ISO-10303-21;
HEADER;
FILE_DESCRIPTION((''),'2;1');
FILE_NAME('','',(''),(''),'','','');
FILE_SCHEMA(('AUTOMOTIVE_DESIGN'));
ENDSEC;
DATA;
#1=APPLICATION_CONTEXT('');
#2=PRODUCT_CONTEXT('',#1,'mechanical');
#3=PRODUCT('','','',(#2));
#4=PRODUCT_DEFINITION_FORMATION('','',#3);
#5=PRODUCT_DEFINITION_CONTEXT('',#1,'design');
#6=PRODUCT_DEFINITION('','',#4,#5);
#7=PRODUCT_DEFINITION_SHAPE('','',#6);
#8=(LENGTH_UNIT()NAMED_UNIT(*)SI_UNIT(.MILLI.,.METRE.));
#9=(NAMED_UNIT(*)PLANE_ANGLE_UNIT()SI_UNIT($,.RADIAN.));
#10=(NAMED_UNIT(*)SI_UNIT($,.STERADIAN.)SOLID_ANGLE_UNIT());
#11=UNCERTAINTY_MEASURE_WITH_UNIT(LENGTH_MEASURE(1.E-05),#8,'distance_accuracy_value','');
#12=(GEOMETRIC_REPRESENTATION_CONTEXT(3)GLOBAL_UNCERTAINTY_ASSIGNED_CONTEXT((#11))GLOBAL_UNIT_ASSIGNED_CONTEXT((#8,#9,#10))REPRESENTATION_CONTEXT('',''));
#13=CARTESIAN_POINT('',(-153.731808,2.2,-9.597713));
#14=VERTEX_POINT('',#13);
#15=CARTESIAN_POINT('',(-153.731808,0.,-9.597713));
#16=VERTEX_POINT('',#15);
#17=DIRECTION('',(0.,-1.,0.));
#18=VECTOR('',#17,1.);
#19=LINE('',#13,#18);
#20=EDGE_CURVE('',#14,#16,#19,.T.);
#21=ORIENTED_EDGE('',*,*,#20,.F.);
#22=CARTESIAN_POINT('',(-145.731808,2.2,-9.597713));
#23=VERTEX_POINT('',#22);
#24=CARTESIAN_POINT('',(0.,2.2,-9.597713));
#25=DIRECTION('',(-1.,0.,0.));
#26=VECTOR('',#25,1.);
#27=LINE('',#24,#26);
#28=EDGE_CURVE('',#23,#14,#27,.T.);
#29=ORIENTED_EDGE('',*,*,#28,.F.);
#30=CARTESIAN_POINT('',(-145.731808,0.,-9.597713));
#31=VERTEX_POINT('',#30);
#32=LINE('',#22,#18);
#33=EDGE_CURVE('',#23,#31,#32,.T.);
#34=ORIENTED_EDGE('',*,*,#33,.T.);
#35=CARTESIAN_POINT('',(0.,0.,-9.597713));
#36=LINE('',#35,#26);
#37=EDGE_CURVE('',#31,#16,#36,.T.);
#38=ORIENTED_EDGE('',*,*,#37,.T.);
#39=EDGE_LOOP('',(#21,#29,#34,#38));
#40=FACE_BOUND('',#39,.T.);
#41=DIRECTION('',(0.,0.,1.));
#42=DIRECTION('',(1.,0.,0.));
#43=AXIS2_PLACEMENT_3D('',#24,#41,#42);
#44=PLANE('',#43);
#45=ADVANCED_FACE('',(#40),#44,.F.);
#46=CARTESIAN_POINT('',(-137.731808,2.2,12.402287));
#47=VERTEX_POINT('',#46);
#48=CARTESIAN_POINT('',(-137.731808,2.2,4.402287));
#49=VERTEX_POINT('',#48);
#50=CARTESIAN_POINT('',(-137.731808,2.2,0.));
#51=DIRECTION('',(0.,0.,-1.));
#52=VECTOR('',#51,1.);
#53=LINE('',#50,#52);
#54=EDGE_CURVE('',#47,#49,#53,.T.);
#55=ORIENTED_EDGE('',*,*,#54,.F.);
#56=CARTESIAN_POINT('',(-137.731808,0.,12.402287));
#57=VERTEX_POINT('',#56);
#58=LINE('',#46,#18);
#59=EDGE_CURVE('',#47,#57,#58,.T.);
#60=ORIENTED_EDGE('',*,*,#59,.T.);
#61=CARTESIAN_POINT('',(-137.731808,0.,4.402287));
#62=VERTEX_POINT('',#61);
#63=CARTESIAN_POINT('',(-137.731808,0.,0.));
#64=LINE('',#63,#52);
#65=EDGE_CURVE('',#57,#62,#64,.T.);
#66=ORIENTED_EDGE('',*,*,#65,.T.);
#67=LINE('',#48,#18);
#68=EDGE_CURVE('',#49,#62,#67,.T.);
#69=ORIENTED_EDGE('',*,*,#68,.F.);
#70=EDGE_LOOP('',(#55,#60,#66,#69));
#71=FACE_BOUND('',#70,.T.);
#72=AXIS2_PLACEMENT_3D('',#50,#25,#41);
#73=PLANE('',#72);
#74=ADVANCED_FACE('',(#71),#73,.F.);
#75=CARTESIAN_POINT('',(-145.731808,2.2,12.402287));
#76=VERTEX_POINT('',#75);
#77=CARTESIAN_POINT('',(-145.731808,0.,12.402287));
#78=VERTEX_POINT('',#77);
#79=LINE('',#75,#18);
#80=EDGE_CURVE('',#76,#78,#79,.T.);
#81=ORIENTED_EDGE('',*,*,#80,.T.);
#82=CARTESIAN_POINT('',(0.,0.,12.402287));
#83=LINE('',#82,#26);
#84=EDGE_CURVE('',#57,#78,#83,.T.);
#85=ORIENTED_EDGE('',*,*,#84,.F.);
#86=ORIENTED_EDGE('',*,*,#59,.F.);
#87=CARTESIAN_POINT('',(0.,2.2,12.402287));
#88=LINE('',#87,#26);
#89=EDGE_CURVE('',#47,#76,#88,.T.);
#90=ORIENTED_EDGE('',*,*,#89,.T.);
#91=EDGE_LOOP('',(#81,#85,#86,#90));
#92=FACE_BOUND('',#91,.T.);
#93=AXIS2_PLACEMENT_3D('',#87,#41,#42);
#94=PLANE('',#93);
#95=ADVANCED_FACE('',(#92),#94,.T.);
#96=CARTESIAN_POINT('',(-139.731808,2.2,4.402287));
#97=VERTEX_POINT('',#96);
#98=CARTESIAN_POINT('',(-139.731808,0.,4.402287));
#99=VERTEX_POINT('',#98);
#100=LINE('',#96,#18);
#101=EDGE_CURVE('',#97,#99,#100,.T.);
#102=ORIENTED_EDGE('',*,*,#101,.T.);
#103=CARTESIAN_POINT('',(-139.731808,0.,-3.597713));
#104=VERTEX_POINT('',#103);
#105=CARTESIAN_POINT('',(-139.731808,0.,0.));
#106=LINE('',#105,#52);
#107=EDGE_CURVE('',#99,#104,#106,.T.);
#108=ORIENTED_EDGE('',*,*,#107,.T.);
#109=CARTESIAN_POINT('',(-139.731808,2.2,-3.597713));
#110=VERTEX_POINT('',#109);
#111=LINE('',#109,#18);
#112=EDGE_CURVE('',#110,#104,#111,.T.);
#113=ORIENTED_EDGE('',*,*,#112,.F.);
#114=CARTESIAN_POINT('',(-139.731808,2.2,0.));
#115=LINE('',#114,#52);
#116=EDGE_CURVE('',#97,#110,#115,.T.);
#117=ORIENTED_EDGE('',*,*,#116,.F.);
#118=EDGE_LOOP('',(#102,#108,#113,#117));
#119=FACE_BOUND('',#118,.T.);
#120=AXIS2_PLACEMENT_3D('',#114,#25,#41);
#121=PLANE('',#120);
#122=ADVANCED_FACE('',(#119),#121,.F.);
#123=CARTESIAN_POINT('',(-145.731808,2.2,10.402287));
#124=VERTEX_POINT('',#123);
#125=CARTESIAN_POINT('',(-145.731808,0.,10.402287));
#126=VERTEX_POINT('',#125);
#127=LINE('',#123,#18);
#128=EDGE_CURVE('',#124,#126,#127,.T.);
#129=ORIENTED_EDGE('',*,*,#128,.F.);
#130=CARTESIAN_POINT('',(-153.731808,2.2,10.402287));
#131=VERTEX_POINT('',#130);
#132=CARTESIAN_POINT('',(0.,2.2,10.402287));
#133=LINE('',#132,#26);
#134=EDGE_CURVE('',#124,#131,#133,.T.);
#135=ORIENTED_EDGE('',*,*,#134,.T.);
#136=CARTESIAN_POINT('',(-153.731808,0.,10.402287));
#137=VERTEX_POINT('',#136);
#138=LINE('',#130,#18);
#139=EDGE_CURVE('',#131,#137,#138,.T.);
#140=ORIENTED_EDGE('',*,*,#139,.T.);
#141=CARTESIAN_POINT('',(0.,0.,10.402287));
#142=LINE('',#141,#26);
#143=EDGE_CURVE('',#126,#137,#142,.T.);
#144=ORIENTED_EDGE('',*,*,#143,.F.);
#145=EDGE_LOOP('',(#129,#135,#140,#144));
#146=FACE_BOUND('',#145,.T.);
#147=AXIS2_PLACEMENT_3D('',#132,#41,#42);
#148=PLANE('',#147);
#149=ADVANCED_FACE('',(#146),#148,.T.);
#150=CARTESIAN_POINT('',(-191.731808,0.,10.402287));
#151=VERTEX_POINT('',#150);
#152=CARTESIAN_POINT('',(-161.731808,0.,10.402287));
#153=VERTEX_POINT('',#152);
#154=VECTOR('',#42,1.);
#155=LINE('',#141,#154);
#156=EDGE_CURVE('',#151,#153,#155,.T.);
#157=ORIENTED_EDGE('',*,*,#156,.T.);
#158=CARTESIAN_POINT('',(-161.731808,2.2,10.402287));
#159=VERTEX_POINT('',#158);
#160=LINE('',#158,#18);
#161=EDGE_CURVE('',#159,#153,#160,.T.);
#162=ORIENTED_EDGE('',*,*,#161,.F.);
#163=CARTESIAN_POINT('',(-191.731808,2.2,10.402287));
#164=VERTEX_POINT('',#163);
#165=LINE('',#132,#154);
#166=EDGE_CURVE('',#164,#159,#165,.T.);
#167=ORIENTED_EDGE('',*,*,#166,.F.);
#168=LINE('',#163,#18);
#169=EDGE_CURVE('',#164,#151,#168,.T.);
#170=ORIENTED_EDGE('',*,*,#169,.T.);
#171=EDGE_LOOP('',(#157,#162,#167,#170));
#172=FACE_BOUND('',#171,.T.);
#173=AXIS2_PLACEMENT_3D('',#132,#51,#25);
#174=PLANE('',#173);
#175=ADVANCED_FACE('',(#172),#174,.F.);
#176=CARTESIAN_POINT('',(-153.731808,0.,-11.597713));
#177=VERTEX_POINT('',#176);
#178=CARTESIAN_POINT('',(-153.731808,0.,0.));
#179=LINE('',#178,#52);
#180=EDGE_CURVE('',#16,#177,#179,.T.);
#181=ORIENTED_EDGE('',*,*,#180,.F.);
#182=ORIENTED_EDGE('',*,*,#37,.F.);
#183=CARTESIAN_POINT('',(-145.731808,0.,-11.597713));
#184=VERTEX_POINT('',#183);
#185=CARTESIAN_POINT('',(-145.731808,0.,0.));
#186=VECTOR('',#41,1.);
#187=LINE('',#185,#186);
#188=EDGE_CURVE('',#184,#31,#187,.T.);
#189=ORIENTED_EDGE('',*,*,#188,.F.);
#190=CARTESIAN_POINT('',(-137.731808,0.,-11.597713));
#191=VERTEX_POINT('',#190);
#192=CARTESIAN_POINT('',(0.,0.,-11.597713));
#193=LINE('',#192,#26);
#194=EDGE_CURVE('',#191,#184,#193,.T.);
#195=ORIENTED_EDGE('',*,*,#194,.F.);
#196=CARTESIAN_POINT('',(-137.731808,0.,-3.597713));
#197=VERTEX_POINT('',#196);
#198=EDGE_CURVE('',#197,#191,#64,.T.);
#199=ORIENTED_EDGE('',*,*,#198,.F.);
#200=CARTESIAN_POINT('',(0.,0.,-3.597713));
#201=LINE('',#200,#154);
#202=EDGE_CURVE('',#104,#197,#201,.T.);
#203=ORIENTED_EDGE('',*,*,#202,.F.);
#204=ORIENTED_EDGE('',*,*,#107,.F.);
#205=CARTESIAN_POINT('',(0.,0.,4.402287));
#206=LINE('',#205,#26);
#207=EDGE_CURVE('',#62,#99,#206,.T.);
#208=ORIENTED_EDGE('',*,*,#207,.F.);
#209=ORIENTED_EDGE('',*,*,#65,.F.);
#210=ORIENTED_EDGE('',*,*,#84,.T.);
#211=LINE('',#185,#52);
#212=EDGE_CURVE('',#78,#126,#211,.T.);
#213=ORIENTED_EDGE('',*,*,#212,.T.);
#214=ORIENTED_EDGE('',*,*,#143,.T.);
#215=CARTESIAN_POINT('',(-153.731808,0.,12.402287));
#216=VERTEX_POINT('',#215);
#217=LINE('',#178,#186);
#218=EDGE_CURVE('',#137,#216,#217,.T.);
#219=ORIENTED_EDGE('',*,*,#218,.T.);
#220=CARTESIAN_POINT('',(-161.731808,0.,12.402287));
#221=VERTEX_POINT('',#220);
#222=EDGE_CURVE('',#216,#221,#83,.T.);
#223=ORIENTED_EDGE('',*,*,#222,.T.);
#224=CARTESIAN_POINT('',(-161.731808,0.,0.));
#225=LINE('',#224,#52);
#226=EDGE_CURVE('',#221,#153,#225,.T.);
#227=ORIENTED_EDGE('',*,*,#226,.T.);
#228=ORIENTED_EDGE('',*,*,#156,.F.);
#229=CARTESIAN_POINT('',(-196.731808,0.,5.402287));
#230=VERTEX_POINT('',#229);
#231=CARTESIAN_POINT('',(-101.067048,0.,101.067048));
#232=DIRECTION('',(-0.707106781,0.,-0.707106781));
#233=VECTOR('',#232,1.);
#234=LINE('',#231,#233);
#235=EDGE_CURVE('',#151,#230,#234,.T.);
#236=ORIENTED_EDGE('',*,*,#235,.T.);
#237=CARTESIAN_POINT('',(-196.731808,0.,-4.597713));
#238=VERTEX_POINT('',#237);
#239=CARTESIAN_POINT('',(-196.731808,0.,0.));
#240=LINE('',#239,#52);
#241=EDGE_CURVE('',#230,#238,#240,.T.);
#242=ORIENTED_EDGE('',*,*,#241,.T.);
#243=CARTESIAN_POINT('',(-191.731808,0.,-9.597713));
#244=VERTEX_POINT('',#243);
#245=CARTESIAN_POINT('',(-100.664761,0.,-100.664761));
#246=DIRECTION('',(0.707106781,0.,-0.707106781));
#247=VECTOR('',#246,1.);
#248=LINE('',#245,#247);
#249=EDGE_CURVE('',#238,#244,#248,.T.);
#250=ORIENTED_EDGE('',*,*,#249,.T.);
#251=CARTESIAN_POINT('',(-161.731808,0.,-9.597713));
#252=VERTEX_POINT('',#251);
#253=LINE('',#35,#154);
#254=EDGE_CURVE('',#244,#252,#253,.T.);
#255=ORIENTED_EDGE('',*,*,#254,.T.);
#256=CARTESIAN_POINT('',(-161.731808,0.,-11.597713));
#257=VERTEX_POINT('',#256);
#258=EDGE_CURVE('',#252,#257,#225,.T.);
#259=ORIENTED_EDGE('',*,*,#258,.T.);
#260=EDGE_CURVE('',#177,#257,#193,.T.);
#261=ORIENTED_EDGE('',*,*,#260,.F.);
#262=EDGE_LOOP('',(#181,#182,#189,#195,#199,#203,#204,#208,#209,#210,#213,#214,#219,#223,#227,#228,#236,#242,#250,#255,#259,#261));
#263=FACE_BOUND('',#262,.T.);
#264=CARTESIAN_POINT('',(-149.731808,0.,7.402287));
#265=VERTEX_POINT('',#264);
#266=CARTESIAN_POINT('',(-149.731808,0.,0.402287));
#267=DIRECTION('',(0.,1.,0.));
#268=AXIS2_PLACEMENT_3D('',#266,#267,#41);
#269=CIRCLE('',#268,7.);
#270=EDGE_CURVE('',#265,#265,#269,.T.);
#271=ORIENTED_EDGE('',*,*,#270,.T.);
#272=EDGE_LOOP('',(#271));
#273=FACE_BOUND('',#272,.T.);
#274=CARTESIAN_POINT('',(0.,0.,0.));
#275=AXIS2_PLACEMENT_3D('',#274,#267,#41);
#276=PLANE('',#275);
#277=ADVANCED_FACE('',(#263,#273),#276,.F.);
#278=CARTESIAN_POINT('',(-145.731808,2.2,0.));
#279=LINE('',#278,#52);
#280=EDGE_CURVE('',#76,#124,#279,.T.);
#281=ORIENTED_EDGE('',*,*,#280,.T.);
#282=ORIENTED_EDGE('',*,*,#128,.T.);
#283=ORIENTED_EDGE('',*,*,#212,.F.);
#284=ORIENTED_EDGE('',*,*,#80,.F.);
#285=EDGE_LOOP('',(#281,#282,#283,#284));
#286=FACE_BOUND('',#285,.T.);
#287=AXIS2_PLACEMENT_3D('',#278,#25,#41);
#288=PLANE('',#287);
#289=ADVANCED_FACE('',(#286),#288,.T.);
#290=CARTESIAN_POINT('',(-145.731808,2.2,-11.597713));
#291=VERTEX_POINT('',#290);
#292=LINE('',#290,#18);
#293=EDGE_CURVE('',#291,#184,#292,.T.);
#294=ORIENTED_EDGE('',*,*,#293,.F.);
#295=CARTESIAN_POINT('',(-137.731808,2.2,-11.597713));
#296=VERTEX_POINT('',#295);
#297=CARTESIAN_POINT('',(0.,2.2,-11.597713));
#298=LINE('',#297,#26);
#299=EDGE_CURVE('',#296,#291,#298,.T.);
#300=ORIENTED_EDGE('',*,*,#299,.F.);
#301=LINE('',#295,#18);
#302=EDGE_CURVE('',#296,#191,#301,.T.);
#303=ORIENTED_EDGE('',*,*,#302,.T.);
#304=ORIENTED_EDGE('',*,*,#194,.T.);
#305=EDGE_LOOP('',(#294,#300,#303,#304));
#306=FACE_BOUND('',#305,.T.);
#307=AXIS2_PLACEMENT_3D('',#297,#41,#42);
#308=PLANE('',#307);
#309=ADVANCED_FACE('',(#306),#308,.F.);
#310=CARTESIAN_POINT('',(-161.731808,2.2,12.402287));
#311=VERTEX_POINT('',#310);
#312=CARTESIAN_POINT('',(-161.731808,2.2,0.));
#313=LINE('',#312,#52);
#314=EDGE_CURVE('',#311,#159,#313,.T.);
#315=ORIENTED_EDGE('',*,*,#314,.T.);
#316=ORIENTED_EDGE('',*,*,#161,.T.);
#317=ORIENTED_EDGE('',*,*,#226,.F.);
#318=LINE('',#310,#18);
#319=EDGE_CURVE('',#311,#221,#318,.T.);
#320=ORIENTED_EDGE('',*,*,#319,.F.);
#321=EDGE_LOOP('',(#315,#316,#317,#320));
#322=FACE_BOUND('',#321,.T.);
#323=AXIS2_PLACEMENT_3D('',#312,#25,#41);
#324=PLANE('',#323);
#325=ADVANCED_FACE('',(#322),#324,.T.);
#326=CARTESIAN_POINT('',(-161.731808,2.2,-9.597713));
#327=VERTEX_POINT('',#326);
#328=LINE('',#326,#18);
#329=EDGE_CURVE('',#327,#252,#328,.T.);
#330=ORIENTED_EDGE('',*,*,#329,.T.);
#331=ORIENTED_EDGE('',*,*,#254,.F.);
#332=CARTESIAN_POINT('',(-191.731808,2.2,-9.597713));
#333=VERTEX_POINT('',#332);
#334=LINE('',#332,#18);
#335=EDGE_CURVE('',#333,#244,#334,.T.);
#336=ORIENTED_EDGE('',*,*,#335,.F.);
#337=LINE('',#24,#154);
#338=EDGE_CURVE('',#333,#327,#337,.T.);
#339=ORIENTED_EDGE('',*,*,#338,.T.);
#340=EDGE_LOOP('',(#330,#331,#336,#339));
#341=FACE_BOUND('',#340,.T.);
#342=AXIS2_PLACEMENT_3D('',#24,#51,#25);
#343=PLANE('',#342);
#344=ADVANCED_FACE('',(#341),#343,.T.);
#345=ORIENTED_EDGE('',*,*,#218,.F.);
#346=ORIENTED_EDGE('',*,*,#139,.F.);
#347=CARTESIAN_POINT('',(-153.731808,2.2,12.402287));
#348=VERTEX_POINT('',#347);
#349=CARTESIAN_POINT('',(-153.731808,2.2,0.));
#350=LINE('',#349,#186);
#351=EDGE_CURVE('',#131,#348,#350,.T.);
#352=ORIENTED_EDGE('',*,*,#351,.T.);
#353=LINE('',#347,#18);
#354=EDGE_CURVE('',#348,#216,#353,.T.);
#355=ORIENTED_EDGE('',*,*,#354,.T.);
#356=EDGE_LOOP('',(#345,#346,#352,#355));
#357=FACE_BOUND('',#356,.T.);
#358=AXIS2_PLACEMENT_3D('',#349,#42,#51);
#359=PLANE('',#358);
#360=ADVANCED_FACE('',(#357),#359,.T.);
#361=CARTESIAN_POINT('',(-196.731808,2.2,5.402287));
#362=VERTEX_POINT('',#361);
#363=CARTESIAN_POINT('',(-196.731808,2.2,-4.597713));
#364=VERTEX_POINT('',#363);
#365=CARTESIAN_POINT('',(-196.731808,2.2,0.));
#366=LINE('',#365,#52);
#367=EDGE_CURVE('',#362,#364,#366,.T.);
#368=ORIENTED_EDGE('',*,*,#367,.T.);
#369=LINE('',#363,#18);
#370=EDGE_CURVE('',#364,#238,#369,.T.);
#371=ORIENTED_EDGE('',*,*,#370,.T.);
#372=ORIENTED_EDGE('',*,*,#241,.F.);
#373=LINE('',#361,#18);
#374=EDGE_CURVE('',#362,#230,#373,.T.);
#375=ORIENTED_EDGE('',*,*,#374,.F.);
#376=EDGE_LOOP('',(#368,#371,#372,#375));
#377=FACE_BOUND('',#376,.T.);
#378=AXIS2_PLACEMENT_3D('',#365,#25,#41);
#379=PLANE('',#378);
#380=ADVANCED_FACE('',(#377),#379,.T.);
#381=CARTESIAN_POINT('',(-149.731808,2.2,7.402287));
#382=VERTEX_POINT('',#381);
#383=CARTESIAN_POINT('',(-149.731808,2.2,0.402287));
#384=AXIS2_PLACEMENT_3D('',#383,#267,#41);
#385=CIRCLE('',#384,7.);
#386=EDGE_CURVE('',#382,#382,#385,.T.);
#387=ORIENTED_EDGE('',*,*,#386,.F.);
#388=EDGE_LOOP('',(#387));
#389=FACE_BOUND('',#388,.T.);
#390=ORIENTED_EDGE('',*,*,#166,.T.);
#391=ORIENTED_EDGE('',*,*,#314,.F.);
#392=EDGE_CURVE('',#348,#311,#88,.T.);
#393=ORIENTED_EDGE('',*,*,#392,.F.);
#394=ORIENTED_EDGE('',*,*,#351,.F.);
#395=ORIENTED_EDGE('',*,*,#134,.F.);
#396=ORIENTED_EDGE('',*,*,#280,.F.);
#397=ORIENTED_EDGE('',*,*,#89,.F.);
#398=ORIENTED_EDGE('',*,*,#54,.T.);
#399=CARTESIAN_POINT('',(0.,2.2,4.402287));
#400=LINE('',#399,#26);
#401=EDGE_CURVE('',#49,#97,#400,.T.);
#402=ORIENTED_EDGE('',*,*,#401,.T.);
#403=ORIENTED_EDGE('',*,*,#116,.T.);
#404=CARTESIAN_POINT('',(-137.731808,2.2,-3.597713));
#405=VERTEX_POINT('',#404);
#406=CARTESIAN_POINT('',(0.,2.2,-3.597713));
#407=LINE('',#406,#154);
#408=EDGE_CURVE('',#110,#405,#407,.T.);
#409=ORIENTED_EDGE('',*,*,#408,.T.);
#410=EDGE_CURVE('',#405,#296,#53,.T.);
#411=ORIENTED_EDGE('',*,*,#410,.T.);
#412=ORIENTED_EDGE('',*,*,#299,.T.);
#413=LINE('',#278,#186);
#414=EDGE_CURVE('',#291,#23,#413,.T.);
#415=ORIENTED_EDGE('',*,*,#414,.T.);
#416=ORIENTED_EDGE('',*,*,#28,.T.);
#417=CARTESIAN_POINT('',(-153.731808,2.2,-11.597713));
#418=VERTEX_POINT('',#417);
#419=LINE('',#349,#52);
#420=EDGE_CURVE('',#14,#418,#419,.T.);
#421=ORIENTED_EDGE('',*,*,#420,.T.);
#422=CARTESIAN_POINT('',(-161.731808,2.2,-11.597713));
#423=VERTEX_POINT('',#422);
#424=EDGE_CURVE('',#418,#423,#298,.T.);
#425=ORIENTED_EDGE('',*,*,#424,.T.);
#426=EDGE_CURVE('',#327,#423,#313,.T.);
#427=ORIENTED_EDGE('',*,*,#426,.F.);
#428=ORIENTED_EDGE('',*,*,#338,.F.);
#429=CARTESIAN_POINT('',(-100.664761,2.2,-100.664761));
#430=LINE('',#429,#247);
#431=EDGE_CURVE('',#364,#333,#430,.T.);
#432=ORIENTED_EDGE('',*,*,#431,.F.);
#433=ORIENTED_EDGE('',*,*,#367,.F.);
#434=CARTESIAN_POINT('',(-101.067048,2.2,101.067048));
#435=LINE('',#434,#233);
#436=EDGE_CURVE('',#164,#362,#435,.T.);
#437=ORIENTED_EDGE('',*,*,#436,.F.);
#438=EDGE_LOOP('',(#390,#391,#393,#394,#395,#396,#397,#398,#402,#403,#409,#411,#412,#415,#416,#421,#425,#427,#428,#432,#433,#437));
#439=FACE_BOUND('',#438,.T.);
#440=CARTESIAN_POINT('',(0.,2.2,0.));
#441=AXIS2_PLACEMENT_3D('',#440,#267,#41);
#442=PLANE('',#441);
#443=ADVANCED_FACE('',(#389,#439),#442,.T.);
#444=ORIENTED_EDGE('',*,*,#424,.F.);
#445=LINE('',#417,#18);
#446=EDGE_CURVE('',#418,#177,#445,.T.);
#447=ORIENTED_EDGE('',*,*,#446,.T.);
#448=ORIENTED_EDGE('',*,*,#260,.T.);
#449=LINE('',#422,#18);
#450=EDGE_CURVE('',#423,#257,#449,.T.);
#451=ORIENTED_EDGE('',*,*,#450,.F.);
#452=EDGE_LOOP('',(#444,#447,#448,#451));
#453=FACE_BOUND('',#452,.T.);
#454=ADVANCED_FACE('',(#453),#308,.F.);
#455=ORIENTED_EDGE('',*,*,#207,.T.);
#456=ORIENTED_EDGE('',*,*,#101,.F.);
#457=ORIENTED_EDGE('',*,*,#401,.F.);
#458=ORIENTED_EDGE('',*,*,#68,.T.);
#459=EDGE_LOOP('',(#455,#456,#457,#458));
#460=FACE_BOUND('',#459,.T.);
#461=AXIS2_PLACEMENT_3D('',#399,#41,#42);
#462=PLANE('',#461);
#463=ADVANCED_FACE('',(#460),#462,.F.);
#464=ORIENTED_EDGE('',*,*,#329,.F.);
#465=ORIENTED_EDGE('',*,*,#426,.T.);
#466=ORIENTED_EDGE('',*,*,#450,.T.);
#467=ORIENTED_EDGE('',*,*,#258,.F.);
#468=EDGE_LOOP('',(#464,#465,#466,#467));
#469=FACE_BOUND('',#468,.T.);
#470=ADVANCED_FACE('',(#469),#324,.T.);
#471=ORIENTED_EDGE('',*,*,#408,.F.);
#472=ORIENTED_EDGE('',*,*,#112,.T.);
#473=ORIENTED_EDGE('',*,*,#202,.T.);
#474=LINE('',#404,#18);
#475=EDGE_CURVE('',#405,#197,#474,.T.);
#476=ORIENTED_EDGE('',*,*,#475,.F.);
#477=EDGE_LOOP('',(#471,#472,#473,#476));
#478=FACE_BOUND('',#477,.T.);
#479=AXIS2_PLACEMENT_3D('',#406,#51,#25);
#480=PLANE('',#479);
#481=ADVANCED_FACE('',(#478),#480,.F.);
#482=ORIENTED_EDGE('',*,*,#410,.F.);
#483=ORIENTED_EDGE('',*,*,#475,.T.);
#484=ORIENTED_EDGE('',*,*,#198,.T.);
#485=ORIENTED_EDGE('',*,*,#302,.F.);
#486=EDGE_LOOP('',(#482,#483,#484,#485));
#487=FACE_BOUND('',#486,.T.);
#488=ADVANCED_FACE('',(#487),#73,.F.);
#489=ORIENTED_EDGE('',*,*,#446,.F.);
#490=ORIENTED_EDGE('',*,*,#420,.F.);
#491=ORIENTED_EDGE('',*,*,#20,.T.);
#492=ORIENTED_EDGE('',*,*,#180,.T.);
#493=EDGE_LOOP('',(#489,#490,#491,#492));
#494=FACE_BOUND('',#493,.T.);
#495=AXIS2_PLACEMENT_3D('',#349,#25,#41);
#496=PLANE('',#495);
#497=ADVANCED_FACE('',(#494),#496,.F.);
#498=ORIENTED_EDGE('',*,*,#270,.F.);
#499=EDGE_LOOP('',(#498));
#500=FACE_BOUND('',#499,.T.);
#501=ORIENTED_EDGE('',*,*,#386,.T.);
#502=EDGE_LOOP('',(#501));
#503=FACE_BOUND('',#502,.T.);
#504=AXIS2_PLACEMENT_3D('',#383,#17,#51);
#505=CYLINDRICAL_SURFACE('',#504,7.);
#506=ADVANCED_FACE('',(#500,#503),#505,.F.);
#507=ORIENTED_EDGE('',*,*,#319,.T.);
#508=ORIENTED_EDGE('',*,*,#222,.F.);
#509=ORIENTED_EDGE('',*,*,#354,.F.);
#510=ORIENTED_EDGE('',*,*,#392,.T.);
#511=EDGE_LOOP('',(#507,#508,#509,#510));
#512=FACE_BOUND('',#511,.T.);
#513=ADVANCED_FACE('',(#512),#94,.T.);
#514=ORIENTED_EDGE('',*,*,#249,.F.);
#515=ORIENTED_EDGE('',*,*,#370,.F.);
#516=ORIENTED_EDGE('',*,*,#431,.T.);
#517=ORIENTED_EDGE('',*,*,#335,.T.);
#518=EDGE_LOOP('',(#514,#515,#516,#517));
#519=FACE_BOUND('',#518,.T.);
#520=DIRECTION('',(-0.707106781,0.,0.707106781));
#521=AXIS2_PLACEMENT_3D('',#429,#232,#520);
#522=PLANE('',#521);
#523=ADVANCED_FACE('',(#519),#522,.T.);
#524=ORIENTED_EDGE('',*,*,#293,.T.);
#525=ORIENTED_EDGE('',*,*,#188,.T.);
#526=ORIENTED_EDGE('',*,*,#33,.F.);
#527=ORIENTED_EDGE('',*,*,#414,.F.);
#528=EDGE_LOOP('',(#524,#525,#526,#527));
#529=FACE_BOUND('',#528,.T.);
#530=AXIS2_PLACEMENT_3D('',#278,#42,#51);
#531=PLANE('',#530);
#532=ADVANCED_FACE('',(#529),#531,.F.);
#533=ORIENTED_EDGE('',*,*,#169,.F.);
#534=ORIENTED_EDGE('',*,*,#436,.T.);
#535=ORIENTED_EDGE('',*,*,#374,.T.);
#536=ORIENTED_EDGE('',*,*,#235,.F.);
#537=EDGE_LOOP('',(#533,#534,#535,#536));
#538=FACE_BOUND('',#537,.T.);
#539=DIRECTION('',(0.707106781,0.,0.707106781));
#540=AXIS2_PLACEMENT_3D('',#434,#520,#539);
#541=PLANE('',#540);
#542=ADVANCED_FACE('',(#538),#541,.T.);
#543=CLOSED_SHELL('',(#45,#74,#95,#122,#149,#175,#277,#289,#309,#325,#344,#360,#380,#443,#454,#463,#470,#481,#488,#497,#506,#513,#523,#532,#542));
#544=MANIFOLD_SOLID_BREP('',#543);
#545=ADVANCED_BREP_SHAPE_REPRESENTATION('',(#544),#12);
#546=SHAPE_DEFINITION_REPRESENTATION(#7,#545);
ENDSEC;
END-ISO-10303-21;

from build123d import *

# Parameters (mm, degrees)
SKETCH1_R           = 7
BOSS_EXTRUDE1_DEPTH = 2.2


with BuildPart() as part:
    # Sketch1 → Boss-Extrude1 (new body)
    with BuildSketch(Plane(origin=(0, 0, 0), x_dir=(1, 0, 0), z_dir=(0, 1, 0))):
        Polygon((-137.731808477, 3.597712716), (-137.731808477, 11.597712716), (-145.731808477, 11.597712716), (-145.731808477, 9.597712716), (-153.731808477, 9.597712716), (-153.731808477, 11.597712716), (-161.731808477, 11.597712716), (-161.731808477, 9.597712716), (-191.731808477, 9.597712716), (-196.731808477, 4.597712716), (-196.731808477, -5.402287284), (-191.731808477, -10.402287284), (-161.731808477, -10.402287284), (-161.731808477, -12.402287284), (-153.731808477, -12.402287284), (-153.731808477, -10.402287284), (-145.731808477, -10.402287284), (-145.731808477, -12.402287284), (-137.731808477, -12.402287284), (-137.731808477, -4.402287284), (-139.731808477, -4.402287284), (-139.731808477, 3.597712716), align=None)
        with Locations(Location((-149.731808477, -0.402287284, 0), (0, 0, 270))):
            Circle(SKETCH1_R, mode=Mode.SUBTRACT)
    extrude(amount=BOSS_EXTRUDE1_DEPTH)


solid = part.part
